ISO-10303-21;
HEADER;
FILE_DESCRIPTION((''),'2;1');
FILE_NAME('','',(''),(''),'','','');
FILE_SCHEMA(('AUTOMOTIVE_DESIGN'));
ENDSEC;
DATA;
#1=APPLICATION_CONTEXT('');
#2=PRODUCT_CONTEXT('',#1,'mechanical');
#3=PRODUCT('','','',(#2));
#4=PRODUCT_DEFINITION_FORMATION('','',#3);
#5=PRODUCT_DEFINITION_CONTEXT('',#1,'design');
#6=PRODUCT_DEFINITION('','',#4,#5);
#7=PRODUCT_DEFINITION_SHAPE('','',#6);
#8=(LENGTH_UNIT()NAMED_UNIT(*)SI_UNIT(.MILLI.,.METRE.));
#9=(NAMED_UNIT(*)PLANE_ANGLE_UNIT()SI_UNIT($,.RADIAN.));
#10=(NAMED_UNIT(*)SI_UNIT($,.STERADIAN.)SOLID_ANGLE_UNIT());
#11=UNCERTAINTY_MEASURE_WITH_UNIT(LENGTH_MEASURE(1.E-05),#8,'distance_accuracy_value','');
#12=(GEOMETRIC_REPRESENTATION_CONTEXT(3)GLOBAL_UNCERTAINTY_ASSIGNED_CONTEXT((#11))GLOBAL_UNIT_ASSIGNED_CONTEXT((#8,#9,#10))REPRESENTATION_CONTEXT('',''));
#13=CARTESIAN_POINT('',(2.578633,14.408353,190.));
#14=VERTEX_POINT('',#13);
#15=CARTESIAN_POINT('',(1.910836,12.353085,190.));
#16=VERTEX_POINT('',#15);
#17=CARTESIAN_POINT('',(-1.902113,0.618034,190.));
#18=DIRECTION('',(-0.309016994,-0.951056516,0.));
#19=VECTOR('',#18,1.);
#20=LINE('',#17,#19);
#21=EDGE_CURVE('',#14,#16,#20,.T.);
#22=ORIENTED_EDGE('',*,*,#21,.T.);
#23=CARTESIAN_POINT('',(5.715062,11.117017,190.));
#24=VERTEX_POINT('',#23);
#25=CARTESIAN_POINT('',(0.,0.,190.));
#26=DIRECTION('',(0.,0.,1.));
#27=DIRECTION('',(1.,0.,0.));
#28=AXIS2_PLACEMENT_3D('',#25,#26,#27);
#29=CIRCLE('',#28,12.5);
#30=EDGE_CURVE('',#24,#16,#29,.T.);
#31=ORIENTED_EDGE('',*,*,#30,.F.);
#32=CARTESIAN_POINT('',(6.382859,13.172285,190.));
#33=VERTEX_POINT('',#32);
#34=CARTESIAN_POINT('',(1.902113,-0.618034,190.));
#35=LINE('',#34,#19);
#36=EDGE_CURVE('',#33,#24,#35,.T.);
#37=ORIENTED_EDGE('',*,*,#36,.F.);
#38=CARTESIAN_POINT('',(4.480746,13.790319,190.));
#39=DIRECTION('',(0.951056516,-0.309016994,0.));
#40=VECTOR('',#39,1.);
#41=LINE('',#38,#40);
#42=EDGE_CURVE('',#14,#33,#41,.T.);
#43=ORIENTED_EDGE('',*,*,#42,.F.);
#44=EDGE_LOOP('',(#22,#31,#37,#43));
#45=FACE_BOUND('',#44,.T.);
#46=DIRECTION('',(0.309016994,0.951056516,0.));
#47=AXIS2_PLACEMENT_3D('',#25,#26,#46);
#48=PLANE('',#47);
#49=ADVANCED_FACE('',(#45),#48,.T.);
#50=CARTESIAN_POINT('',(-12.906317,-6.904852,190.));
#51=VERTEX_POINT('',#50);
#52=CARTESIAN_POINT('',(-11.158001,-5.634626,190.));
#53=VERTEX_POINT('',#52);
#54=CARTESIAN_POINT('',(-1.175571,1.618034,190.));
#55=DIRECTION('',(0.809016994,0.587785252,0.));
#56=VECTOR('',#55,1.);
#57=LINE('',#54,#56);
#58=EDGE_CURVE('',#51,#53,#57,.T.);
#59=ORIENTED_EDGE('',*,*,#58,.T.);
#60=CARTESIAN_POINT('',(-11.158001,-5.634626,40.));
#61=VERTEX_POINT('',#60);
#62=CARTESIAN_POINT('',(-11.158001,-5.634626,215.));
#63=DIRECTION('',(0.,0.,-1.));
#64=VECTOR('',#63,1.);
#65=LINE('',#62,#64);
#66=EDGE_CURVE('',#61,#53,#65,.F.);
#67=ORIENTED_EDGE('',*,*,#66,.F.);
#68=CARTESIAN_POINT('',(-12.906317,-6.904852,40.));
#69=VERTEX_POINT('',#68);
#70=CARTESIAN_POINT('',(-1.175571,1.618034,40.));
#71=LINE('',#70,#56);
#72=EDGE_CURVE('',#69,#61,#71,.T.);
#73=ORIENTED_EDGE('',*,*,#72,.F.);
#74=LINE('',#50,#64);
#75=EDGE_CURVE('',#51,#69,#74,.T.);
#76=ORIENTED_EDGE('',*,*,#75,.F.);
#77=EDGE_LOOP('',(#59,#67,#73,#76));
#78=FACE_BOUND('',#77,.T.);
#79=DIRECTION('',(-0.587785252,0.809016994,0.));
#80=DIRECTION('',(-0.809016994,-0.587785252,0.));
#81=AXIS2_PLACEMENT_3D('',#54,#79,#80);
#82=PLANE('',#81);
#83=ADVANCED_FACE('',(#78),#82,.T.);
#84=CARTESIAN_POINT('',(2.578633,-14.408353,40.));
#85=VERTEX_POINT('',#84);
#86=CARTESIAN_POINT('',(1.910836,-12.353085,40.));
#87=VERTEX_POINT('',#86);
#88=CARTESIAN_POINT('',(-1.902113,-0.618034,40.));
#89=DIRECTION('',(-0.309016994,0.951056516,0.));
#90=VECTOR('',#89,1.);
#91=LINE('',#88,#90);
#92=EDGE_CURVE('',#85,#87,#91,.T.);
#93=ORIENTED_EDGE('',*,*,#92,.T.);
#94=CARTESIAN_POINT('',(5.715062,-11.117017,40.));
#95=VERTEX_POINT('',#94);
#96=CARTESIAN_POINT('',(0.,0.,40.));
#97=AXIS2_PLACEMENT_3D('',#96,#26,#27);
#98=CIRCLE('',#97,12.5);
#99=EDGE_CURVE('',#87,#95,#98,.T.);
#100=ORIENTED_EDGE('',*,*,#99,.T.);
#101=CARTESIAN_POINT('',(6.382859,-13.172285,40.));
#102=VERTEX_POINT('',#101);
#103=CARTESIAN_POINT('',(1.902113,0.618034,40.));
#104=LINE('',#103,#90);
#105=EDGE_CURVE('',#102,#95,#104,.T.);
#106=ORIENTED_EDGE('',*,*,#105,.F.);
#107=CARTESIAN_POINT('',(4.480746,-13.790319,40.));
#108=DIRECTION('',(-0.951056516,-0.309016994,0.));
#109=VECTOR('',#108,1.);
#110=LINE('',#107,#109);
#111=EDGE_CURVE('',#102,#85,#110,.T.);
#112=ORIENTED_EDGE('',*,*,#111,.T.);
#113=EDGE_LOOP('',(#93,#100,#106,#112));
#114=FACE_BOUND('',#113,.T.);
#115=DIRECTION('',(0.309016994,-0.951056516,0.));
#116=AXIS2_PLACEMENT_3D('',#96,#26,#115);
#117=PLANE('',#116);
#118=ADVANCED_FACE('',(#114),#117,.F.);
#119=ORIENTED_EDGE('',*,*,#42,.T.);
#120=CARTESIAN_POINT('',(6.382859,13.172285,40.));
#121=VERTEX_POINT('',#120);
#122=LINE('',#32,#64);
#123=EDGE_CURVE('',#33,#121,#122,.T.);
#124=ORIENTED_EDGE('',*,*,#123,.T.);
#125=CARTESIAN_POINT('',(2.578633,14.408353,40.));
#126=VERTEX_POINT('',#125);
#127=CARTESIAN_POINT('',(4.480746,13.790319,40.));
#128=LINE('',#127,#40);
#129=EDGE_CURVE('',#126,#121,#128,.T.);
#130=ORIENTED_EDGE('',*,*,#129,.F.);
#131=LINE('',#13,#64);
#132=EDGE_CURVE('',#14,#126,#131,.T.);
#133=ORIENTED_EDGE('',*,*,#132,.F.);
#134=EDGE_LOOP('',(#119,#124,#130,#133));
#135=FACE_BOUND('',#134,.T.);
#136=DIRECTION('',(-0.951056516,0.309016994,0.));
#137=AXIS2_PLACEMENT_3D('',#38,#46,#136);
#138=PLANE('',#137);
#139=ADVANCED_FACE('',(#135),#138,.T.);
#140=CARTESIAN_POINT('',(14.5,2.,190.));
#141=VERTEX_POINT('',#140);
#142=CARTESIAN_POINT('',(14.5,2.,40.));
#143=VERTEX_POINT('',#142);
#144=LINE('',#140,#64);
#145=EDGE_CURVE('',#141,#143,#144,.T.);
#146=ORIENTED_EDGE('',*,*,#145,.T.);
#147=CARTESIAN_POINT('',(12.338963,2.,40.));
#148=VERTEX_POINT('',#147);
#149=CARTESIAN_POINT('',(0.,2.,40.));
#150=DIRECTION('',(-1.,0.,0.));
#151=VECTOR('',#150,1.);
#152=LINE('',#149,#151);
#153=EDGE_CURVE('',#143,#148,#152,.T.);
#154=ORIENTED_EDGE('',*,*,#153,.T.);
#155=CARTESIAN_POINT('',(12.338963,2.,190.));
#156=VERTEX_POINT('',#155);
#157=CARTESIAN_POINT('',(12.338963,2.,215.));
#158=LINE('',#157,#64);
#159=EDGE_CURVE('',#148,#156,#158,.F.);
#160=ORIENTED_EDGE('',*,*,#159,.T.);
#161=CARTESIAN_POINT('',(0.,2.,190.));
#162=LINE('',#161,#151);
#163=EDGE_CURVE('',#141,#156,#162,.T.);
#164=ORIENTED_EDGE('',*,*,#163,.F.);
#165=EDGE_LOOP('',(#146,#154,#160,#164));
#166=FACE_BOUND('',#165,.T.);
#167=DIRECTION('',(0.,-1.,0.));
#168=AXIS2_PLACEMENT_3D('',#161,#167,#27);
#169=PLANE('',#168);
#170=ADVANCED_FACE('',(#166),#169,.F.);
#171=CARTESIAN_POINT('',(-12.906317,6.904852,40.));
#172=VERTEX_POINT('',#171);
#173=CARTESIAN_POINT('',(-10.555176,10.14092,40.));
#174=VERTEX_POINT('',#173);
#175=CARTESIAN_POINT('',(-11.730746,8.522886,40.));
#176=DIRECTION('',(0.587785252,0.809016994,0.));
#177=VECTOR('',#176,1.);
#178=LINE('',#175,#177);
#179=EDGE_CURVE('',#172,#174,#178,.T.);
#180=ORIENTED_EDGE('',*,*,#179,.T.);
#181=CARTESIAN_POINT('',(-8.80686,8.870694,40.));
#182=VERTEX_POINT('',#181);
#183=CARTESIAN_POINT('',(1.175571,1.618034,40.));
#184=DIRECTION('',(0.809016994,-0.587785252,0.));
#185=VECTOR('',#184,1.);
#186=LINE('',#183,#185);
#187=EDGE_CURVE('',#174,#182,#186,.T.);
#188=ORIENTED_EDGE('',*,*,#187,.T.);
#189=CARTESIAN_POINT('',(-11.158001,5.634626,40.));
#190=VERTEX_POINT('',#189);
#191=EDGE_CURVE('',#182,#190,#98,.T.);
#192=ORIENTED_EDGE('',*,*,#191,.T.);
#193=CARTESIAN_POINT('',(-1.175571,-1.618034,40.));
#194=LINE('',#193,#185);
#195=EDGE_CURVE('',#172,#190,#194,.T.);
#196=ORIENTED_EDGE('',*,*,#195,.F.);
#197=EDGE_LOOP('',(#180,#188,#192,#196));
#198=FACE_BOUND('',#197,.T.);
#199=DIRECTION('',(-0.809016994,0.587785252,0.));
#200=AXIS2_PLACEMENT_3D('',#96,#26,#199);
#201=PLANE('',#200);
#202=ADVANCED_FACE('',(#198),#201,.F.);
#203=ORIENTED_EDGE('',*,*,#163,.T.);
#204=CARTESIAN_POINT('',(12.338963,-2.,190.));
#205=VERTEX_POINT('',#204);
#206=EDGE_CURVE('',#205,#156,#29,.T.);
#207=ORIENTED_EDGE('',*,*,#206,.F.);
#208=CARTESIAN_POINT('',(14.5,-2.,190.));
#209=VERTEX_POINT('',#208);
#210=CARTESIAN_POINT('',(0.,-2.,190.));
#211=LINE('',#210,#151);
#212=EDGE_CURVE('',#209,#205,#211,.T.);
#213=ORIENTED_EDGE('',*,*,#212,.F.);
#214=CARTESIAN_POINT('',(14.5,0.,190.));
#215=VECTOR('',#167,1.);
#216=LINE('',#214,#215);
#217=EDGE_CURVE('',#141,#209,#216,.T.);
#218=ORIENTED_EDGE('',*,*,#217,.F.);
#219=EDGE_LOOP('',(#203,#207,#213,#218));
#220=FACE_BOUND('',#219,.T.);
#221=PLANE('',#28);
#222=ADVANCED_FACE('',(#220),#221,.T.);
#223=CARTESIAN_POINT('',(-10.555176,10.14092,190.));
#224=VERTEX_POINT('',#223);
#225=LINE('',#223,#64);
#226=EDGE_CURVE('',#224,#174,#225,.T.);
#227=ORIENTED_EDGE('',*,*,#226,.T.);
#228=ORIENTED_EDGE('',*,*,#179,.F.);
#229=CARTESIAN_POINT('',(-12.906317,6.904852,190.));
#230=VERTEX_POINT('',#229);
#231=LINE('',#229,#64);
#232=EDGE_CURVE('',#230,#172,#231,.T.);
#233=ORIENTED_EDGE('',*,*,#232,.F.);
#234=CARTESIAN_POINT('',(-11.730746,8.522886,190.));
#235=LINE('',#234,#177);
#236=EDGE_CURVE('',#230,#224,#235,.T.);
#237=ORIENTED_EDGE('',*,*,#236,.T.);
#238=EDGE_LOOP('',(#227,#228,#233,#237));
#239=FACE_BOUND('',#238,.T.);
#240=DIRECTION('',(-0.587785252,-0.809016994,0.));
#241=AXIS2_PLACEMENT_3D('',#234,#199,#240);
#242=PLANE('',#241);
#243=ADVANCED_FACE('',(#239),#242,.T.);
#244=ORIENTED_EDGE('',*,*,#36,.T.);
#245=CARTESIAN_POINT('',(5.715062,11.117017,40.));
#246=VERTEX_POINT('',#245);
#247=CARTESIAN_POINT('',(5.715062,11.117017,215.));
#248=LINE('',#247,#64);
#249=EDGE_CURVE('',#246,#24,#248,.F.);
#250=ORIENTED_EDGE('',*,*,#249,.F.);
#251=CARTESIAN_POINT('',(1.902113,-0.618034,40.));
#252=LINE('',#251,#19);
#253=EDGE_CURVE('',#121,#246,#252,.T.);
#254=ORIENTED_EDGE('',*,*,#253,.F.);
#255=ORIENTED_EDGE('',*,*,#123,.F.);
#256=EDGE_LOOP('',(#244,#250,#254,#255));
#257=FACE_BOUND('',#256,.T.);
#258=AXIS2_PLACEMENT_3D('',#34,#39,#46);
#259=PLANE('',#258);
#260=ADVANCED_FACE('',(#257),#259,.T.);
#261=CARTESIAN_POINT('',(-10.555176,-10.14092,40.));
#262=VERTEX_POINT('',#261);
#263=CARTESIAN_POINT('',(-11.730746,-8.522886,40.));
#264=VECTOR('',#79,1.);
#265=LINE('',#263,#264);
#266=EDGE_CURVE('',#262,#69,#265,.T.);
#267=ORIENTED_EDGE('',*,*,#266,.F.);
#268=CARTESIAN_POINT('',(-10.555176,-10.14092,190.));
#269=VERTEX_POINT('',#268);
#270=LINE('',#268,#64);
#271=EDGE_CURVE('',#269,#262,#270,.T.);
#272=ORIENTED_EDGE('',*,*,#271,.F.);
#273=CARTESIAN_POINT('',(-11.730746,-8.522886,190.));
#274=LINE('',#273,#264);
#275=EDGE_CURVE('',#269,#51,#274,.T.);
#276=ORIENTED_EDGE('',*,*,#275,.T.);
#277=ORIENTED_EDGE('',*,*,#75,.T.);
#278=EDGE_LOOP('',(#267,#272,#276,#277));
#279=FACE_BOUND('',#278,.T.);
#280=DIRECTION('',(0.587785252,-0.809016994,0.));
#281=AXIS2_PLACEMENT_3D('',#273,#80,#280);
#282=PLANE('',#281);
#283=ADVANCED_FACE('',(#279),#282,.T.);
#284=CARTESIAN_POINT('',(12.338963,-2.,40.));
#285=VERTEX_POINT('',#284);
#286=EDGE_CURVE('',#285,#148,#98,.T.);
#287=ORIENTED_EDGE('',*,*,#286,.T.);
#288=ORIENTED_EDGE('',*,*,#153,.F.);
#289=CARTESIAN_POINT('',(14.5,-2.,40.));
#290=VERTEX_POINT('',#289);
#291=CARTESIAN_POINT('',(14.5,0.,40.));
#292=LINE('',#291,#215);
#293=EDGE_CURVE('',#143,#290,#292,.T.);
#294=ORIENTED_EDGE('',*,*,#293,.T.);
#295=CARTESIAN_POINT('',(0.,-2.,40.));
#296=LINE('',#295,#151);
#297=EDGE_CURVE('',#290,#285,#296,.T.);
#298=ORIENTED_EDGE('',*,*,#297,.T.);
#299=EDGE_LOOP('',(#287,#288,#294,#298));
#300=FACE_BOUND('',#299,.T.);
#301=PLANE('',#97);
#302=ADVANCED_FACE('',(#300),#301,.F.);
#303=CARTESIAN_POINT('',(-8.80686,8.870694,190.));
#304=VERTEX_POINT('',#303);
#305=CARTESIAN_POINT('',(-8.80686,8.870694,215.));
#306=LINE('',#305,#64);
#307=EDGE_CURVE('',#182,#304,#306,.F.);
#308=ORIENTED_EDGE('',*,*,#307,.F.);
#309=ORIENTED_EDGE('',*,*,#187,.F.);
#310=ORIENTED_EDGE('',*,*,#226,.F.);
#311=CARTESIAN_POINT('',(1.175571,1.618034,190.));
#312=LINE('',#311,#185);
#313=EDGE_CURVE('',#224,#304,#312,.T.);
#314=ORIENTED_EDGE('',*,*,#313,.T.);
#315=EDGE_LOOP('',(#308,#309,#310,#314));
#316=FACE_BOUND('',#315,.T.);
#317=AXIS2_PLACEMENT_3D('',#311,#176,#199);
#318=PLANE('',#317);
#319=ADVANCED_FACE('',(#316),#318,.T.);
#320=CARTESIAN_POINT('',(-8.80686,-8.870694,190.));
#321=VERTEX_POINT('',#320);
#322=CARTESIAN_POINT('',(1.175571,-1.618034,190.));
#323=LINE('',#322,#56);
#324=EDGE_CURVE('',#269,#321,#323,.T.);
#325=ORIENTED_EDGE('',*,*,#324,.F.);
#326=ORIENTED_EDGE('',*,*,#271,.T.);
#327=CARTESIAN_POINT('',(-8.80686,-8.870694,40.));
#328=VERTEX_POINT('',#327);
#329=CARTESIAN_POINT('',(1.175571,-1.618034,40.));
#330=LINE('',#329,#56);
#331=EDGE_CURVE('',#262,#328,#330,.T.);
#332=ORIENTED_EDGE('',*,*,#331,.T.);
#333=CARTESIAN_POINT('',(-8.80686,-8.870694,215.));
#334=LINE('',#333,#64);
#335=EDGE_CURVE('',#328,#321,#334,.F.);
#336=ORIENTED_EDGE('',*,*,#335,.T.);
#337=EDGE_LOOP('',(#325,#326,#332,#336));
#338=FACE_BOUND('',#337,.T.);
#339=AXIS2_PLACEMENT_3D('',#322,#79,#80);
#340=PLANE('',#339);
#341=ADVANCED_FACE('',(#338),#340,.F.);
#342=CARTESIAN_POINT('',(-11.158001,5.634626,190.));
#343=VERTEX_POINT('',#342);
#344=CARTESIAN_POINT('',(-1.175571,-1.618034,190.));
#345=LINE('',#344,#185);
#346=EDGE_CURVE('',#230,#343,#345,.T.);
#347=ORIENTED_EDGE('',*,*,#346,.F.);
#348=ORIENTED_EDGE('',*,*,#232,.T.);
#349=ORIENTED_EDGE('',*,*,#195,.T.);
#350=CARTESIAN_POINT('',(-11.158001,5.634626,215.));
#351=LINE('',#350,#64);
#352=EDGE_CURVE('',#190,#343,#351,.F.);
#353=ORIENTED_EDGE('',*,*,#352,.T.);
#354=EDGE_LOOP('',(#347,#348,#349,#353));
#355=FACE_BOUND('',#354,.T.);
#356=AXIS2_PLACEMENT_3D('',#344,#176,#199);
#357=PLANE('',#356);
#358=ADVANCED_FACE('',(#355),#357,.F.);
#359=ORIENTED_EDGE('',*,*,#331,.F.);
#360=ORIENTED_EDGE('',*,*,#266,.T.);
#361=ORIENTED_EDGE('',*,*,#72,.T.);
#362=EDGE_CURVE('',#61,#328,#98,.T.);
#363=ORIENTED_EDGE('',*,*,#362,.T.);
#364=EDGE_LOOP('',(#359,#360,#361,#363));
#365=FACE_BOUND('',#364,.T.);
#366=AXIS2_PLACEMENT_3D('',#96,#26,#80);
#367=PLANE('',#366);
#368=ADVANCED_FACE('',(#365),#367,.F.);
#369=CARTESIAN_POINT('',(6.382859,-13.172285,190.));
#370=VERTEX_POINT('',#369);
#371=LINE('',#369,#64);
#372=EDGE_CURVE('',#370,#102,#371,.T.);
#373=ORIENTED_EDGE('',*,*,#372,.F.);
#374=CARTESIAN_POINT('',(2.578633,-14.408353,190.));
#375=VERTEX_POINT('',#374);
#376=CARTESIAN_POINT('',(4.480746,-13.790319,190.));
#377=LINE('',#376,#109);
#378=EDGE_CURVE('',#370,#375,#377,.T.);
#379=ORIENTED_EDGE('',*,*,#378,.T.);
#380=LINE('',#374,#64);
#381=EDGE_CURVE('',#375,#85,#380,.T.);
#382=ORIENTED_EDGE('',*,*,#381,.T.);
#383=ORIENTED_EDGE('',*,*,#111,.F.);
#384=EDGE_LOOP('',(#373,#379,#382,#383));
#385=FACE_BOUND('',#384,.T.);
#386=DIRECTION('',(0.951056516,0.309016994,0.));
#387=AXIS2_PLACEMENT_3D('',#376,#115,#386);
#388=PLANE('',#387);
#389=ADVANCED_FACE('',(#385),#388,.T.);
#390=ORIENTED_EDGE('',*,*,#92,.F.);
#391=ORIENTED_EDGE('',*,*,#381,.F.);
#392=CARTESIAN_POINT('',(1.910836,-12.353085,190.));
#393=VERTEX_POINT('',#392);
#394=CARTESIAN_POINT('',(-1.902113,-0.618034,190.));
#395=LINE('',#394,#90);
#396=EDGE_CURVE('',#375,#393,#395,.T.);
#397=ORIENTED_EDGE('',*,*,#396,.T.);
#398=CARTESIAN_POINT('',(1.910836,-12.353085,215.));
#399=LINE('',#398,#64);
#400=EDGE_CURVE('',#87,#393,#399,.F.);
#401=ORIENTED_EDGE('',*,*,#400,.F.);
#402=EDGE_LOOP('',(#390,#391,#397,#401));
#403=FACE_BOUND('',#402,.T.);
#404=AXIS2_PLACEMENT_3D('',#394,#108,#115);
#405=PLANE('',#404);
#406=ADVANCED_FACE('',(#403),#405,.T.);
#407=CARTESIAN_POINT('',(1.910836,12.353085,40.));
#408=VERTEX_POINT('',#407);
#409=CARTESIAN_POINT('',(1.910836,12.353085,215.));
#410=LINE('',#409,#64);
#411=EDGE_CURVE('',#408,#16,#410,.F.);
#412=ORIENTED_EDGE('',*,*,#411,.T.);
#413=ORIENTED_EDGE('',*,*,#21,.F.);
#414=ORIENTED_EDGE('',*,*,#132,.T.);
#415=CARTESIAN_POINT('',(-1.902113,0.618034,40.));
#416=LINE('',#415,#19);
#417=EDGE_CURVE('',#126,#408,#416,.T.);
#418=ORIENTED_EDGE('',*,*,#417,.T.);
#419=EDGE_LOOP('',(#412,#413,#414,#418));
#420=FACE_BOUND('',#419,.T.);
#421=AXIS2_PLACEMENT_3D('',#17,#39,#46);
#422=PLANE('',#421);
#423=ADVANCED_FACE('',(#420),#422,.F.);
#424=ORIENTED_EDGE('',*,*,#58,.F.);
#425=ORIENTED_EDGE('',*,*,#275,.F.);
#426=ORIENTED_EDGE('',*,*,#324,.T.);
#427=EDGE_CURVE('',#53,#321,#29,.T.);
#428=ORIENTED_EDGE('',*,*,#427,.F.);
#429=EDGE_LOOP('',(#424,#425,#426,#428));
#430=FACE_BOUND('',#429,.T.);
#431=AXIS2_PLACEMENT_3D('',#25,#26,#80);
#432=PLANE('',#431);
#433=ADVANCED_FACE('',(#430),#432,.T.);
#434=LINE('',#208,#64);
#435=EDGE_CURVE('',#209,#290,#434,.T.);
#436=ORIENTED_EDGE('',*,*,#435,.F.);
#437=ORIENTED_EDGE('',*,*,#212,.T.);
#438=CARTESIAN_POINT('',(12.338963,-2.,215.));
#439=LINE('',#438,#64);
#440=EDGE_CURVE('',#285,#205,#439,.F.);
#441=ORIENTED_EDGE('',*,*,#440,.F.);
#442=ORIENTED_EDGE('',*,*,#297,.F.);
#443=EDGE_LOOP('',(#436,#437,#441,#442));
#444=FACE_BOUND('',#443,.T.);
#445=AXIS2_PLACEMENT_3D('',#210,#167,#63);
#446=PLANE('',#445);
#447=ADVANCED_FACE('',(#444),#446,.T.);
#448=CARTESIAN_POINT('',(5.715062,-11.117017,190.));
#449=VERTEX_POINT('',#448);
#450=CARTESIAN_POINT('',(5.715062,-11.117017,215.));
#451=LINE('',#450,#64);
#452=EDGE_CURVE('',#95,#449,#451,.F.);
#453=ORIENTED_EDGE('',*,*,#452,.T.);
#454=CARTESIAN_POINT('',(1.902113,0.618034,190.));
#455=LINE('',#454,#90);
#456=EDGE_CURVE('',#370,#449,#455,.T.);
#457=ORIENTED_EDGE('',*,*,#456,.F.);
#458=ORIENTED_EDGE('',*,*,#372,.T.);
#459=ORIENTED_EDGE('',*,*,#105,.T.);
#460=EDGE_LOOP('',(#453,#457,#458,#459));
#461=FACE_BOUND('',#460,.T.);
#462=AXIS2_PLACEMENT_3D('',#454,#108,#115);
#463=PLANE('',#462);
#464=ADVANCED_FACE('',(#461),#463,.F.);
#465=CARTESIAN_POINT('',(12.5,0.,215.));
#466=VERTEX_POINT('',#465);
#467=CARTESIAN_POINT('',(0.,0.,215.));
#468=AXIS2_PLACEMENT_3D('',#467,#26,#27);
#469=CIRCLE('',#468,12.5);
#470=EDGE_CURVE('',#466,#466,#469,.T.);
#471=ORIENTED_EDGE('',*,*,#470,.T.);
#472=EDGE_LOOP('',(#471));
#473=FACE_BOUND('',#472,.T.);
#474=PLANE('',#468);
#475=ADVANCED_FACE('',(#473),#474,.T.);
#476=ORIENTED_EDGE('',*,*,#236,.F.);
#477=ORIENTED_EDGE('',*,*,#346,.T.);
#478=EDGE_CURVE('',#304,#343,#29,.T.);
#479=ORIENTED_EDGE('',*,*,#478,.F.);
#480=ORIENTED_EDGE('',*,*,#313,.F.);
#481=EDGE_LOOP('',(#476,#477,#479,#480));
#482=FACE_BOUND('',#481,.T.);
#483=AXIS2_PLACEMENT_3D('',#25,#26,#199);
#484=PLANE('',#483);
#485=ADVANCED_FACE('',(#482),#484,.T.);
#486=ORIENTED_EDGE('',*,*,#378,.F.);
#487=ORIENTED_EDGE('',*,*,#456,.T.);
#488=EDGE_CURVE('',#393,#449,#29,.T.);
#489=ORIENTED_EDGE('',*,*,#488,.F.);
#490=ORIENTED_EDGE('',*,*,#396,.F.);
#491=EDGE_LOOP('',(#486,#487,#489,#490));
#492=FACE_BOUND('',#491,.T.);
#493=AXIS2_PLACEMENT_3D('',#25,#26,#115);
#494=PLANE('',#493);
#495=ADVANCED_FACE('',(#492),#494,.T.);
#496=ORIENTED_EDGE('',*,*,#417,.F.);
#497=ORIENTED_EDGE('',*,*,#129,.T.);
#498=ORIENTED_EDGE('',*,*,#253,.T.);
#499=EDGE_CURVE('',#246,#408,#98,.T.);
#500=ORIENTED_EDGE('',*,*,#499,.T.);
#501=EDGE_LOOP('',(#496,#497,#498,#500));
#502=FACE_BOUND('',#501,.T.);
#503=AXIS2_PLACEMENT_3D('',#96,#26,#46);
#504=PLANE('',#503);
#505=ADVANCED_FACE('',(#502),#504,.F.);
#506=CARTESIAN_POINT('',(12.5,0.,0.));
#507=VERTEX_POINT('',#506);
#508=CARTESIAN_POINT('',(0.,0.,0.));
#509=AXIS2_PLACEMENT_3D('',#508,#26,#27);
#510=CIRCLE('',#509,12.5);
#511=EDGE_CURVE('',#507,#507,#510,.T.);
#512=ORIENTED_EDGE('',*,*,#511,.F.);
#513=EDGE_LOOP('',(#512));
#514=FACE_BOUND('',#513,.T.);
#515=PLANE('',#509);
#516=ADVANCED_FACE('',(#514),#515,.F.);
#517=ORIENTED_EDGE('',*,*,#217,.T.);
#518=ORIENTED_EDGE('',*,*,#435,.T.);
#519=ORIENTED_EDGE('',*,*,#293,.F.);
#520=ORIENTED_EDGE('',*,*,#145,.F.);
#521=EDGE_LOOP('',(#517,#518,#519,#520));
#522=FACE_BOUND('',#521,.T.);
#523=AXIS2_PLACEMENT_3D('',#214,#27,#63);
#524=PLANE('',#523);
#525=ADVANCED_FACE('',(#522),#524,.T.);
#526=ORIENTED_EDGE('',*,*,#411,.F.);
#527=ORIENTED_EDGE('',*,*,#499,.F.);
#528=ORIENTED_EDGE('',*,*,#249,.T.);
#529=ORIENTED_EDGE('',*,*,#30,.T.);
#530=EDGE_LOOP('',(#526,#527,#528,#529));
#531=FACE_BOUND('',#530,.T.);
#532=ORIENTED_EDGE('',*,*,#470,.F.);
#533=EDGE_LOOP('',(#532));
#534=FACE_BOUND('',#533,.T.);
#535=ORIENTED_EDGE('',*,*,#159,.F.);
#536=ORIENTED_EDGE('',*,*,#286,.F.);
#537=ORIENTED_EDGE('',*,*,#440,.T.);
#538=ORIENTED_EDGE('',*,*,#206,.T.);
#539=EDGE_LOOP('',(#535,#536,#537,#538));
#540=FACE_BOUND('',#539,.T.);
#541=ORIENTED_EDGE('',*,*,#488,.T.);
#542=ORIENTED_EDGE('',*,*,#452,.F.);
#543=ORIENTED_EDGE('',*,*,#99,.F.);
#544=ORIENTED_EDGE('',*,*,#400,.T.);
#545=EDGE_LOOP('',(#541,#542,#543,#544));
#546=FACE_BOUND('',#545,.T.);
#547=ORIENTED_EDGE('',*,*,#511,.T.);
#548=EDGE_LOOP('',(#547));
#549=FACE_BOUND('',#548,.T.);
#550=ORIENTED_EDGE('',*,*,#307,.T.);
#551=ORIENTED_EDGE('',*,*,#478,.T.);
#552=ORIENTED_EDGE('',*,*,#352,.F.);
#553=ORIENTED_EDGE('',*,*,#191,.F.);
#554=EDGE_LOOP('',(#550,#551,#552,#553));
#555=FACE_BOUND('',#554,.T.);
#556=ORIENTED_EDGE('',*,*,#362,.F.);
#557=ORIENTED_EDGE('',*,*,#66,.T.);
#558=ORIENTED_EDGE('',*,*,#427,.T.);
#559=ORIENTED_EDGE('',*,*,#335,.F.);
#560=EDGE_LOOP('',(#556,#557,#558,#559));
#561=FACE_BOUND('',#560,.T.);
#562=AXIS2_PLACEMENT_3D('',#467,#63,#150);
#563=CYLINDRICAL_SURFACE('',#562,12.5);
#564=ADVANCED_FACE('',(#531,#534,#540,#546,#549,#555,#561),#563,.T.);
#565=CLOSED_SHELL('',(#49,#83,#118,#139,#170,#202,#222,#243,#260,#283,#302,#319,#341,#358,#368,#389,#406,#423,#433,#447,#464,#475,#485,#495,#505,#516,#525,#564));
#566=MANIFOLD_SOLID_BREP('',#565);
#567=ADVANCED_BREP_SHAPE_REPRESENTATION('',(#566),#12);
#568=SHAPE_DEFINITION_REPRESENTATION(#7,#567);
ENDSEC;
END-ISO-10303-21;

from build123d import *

# Parameters (mm, degrees)
SKETCH1_R           = 12.5
BOSS_EXTRUDE1_DEPTH = 215
BOSS_EXTRUDE2_START = 40
SKETCH1_3_W         = 4
SKETCH1_3_H         = 4
BOSS_EXTRUDE2_DEPTH = 150
CIRPATTERN1_COUNT   = 5


with BuildPart() as part:
    # Sketch1 → Boss-Extrude1 (new body)
    with BuildSketch(Plane.XY):
        Circle(SKETCH1_R)
    extrude(amount=BOSS_EXTRUDE1_DEPTH)

    # Sketch1<3> → Boss-Extrude2 (add)
    with BuildSketch(Plane.XY.offset(BOSS_EXTRUDE2_START)):
        with Locations((12.5, 0)):
            Rectangle(SKETCH1_3_W, SKETCH1_3_H)
    boss_extrude2 = extrude(amount=BOSS_EXTRUDE2_DEPTH)

    # CirPattern1: Boss-Extrude2 ×5 about axis
    cirpattern1_axis = Axis((0, 0, 215), (0, 0, -1))
    for i in range(1, CIRPATTERN1_COUNT):
        add(boss_extrude2.rotate(cirpattern1_axis, i * 360 / CIRPATTERN1_COUNT))


solid = part.part
